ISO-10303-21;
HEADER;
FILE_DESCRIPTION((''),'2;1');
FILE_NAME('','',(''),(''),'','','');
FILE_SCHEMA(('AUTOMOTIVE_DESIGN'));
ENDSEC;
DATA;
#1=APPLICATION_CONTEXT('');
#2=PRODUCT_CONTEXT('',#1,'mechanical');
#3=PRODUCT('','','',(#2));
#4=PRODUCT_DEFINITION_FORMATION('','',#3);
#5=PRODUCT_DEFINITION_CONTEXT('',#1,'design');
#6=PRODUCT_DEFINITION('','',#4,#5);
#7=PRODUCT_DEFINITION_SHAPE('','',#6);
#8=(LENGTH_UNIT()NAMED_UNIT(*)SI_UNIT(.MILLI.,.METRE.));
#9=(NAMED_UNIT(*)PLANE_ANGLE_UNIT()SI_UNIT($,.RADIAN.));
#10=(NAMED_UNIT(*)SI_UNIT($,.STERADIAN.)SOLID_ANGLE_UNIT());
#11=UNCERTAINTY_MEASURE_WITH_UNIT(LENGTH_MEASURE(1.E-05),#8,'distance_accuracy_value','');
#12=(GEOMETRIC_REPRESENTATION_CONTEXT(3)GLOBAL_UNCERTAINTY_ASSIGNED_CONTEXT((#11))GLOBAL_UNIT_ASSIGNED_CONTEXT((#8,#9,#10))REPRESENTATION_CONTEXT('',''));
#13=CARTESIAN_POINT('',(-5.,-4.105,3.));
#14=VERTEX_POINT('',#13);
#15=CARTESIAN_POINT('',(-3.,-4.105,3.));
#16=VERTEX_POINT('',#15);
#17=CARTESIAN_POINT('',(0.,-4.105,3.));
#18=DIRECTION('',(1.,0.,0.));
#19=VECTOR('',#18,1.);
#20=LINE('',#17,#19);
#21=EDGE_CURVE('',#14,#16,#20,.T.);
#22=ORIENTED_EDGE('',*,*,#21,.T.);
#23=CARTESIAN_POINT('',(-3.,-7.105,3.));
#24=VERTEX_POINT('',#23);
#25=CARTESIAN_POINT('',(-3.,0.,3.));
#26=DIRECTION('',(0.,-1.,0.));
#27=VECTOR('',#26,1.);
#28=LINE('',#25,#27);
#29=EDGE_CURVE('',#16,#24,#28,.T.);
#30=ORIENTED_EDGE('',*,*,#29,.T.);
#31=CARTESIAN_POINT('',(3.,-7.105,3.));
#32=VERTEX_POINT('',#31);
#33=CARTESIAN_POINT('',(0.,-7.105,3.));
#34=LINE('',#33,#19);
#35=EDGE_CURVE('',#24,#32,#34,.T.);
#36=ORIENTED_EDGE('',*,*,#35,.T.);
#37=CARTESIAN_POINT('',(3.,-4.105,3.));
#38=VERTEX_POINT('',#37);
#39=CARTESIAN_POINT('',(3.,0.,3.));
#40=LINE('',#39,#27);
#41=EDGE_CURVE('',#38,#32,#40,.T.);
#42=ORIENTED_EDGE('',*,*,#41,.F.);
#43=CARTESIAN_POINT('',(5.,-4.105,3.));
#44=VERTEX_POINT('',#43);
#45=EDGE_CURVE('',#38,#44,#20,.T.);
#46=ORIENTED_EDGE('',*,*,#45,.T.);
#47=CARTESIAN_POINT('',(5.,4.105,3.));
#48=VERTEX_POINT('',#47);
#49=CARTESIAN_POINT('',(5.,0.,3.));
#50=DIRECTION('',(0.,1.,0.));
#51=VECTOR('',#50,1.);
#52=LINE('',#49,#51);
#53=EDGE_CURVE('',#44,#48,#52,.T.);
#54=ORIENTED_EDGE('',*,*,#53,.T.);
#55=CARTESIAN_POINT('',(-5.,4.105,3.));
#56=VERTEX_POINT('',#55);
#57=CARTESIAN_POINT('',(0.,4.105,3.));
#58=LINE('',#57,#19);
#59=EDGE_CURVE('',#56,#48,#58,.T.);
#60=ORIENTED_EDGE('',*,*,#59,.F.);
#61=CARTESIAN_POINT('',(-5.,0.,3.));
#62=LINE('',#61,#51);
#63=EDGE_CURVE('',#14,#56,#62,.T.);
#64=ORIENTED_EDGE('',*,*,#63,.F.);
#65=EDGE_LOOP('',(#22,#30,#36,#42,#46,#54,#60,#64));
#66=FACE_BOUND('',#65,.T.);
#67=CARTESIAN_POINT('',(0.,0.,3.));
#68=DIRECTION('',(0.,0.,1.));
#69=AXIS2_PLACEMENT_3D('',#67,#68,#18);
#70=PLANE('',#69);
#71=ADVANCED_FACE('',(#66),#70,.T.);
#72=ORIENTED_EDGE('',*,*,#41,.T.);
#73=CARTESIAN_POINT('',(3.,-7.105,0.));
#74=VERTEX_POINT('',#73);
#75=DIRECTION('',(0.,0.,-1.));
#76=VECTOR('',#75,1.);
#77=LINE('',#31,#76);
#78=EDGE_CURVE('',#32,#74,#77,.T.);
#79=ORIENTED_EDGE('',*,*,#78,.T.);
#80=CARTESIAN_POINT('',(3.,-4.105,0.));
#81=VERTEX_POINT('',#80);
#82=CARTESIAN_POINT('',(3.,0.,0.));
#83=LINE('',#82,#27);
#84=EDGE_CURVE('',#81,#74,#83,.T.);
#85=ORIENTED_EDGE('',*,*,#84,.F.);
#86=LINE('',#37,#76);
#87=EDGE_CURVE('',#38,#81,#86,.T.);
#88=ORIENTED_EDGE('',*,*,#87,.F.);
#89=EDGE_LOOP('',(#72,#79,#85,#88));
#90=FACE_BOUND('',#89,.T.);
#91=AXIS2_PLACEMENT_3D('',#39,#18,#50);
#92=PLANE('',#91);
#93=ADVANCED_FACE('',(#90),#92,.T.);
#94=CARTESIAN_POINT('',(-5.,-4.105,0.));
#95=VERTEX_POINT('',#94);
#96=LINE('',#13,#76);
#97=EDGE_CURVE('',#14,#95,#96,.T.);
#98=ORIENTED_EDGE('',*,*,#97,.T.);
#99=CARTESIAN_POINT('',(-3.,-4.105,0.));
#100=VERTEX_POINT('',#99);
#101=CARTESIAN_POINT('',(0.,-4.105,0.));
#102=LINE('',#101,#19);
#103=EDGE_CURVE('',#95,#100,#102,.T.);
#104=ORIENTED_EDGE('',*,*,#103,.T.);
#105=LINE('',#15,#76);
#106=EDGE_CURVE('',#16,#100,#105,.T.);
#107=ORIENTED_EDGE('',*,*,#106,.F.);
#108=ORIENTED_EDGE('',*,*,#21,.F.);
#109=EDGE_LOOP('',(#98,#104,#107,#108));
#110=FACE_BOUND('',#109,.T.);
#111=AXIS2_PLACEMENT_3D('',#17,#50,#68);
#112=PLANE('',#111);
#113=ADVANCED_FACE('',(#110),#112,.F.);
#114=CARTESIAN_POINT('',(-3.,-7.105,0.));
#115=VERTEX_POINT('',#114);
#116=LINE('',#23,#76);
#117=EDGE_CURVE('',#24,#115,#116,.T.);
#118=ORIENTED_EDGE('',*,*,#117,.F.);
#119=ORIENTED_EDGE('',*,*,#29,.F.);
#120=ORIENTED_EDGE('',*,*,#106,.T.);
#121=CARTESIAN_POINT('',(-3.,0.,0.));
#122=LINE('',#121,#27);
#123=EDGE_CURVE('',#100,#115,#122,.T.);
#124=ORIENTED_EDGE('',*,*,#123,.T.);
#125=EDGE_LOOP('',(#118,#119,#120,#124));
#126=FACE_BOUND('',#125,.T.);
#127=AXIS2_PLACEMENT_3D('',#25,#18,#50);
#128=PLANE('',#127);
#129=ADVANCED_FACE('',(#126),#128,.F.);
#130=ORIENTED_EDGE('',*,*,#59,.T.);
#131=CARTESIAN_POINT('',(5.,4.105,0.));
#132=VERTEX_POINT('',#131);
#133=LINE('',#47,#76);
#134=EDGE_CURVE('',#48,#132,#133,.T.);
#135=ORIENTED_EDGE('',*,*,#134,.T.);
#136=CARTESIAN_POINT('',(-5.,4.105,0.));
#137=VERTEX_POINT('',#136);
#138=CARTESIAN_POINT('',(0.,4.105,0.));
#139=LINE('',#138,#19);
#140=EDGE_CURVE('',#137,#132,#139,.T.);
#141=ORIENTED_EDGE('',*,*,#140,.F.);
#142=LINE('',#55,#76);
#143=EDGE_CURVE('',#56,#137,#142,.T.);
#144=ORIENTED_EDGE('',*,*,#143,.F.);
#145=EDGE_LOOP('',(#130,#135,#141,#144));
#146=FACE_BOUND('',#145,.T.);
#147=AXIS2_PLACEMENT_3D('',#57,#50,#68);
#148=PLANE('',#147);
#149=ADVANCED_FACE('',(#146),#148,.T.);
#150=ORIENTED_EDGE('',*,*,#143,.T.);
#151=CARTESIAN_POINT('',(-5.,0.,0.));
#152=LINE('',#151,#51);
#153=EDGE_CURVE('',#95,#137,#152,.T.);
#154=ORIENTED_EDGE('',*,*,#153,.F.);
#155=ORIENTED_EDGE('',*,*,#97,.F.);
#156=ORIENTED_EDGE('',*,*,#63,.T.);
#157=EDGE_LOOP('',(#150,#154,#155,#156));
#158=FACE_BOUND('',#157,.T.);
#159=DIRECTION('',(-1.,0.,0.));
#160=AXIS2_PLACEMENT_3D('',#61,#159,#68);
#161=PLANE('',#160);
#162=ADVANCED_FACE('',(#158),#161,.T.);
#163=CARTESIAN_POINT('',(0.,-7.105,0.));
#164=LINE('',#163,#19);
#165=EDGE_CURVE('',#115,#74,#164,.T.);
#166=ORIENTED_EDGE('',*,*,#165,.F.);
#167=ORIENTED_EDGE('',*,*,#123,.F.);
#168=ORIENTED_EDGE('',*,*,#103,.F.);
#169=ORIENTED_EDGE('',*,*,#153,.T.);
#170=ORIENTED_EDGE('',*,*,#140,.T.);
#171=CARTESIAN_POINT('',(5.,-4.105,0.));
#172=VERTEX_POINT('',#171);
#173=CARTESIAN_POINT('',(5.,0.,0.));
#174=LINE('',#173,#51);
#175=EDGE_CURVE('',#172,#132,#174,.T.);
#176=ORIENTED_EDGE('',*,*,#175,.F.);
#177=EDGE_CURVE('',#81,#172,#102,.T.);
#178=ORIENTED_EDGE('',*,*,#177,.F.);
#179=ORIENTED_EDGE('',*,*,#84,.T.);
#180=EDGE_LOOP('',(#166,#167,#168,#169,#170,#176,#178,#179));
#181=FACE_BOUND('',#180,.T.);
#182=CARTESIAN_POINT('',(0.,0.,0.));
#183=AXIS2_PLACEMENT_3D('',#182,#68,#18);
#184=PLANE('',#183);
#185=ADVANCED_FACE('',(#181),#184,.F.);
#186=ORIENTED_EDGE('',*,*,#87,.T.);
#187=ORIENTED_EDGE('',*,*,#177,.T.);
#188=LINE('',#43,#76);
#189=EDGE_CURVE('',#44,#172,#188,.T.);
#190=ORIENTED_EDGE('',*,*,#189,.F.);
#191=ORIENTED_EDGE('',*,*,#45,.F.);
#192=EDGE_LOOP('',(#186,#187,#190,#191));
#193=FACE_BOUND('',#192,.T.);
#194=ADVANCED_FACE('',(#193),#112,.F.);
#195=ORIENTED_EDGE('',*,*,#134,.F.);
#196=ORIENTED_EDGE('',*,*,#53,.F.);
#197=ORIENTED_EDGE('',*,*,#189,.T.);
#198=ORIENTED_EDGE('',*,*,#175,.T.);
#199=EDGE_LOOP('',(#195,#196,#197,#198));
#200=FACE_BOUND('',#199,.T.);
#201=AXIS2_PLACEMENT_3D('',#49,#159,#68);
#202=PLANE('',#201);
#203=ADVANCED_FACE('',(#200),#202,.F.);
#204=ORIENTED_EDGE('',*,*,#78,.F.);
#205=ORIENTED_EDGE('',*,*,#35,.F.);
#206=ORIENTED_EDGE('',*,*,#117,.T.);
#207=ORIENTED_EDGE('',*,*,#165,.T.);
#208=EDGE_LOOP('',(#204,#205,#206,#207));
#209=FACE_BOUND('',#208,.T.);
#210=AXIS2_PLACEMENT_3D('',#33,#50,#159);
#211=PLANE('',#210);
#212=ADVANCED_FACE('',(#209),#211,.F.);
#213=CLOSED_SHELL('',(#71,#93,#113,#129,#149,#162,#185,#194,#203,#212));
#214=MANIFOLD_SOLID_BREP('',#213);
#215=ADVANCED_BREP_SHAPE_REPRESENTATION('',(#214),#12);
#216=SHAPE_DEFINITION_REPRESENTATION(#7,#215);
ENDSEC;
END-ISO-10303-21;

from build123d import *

# Parameters (mm, degrees)
SKETCH1_W           = 10
SKETCH1_H           = 8.21
SKETCH1_W_2         = 6
SKETCH1_H_2         = 3
BOSS_EXTRUDE1_DEPTH = 3


with BuildPart() as part:
    # Sketch1 → Boss-Extrude1 (new body)
    with BuildSketch(Plane.XY):
        Rectangle(SKETCH1_W, SKETCH1_H)
        with Locations((0, -5.605)):
            Rectangle(SKETCH1_W_2, SKETCH1_H_2)
    extrude(amount=BOSS_EXTRUDE1_DEPTH)


solid = part.part
